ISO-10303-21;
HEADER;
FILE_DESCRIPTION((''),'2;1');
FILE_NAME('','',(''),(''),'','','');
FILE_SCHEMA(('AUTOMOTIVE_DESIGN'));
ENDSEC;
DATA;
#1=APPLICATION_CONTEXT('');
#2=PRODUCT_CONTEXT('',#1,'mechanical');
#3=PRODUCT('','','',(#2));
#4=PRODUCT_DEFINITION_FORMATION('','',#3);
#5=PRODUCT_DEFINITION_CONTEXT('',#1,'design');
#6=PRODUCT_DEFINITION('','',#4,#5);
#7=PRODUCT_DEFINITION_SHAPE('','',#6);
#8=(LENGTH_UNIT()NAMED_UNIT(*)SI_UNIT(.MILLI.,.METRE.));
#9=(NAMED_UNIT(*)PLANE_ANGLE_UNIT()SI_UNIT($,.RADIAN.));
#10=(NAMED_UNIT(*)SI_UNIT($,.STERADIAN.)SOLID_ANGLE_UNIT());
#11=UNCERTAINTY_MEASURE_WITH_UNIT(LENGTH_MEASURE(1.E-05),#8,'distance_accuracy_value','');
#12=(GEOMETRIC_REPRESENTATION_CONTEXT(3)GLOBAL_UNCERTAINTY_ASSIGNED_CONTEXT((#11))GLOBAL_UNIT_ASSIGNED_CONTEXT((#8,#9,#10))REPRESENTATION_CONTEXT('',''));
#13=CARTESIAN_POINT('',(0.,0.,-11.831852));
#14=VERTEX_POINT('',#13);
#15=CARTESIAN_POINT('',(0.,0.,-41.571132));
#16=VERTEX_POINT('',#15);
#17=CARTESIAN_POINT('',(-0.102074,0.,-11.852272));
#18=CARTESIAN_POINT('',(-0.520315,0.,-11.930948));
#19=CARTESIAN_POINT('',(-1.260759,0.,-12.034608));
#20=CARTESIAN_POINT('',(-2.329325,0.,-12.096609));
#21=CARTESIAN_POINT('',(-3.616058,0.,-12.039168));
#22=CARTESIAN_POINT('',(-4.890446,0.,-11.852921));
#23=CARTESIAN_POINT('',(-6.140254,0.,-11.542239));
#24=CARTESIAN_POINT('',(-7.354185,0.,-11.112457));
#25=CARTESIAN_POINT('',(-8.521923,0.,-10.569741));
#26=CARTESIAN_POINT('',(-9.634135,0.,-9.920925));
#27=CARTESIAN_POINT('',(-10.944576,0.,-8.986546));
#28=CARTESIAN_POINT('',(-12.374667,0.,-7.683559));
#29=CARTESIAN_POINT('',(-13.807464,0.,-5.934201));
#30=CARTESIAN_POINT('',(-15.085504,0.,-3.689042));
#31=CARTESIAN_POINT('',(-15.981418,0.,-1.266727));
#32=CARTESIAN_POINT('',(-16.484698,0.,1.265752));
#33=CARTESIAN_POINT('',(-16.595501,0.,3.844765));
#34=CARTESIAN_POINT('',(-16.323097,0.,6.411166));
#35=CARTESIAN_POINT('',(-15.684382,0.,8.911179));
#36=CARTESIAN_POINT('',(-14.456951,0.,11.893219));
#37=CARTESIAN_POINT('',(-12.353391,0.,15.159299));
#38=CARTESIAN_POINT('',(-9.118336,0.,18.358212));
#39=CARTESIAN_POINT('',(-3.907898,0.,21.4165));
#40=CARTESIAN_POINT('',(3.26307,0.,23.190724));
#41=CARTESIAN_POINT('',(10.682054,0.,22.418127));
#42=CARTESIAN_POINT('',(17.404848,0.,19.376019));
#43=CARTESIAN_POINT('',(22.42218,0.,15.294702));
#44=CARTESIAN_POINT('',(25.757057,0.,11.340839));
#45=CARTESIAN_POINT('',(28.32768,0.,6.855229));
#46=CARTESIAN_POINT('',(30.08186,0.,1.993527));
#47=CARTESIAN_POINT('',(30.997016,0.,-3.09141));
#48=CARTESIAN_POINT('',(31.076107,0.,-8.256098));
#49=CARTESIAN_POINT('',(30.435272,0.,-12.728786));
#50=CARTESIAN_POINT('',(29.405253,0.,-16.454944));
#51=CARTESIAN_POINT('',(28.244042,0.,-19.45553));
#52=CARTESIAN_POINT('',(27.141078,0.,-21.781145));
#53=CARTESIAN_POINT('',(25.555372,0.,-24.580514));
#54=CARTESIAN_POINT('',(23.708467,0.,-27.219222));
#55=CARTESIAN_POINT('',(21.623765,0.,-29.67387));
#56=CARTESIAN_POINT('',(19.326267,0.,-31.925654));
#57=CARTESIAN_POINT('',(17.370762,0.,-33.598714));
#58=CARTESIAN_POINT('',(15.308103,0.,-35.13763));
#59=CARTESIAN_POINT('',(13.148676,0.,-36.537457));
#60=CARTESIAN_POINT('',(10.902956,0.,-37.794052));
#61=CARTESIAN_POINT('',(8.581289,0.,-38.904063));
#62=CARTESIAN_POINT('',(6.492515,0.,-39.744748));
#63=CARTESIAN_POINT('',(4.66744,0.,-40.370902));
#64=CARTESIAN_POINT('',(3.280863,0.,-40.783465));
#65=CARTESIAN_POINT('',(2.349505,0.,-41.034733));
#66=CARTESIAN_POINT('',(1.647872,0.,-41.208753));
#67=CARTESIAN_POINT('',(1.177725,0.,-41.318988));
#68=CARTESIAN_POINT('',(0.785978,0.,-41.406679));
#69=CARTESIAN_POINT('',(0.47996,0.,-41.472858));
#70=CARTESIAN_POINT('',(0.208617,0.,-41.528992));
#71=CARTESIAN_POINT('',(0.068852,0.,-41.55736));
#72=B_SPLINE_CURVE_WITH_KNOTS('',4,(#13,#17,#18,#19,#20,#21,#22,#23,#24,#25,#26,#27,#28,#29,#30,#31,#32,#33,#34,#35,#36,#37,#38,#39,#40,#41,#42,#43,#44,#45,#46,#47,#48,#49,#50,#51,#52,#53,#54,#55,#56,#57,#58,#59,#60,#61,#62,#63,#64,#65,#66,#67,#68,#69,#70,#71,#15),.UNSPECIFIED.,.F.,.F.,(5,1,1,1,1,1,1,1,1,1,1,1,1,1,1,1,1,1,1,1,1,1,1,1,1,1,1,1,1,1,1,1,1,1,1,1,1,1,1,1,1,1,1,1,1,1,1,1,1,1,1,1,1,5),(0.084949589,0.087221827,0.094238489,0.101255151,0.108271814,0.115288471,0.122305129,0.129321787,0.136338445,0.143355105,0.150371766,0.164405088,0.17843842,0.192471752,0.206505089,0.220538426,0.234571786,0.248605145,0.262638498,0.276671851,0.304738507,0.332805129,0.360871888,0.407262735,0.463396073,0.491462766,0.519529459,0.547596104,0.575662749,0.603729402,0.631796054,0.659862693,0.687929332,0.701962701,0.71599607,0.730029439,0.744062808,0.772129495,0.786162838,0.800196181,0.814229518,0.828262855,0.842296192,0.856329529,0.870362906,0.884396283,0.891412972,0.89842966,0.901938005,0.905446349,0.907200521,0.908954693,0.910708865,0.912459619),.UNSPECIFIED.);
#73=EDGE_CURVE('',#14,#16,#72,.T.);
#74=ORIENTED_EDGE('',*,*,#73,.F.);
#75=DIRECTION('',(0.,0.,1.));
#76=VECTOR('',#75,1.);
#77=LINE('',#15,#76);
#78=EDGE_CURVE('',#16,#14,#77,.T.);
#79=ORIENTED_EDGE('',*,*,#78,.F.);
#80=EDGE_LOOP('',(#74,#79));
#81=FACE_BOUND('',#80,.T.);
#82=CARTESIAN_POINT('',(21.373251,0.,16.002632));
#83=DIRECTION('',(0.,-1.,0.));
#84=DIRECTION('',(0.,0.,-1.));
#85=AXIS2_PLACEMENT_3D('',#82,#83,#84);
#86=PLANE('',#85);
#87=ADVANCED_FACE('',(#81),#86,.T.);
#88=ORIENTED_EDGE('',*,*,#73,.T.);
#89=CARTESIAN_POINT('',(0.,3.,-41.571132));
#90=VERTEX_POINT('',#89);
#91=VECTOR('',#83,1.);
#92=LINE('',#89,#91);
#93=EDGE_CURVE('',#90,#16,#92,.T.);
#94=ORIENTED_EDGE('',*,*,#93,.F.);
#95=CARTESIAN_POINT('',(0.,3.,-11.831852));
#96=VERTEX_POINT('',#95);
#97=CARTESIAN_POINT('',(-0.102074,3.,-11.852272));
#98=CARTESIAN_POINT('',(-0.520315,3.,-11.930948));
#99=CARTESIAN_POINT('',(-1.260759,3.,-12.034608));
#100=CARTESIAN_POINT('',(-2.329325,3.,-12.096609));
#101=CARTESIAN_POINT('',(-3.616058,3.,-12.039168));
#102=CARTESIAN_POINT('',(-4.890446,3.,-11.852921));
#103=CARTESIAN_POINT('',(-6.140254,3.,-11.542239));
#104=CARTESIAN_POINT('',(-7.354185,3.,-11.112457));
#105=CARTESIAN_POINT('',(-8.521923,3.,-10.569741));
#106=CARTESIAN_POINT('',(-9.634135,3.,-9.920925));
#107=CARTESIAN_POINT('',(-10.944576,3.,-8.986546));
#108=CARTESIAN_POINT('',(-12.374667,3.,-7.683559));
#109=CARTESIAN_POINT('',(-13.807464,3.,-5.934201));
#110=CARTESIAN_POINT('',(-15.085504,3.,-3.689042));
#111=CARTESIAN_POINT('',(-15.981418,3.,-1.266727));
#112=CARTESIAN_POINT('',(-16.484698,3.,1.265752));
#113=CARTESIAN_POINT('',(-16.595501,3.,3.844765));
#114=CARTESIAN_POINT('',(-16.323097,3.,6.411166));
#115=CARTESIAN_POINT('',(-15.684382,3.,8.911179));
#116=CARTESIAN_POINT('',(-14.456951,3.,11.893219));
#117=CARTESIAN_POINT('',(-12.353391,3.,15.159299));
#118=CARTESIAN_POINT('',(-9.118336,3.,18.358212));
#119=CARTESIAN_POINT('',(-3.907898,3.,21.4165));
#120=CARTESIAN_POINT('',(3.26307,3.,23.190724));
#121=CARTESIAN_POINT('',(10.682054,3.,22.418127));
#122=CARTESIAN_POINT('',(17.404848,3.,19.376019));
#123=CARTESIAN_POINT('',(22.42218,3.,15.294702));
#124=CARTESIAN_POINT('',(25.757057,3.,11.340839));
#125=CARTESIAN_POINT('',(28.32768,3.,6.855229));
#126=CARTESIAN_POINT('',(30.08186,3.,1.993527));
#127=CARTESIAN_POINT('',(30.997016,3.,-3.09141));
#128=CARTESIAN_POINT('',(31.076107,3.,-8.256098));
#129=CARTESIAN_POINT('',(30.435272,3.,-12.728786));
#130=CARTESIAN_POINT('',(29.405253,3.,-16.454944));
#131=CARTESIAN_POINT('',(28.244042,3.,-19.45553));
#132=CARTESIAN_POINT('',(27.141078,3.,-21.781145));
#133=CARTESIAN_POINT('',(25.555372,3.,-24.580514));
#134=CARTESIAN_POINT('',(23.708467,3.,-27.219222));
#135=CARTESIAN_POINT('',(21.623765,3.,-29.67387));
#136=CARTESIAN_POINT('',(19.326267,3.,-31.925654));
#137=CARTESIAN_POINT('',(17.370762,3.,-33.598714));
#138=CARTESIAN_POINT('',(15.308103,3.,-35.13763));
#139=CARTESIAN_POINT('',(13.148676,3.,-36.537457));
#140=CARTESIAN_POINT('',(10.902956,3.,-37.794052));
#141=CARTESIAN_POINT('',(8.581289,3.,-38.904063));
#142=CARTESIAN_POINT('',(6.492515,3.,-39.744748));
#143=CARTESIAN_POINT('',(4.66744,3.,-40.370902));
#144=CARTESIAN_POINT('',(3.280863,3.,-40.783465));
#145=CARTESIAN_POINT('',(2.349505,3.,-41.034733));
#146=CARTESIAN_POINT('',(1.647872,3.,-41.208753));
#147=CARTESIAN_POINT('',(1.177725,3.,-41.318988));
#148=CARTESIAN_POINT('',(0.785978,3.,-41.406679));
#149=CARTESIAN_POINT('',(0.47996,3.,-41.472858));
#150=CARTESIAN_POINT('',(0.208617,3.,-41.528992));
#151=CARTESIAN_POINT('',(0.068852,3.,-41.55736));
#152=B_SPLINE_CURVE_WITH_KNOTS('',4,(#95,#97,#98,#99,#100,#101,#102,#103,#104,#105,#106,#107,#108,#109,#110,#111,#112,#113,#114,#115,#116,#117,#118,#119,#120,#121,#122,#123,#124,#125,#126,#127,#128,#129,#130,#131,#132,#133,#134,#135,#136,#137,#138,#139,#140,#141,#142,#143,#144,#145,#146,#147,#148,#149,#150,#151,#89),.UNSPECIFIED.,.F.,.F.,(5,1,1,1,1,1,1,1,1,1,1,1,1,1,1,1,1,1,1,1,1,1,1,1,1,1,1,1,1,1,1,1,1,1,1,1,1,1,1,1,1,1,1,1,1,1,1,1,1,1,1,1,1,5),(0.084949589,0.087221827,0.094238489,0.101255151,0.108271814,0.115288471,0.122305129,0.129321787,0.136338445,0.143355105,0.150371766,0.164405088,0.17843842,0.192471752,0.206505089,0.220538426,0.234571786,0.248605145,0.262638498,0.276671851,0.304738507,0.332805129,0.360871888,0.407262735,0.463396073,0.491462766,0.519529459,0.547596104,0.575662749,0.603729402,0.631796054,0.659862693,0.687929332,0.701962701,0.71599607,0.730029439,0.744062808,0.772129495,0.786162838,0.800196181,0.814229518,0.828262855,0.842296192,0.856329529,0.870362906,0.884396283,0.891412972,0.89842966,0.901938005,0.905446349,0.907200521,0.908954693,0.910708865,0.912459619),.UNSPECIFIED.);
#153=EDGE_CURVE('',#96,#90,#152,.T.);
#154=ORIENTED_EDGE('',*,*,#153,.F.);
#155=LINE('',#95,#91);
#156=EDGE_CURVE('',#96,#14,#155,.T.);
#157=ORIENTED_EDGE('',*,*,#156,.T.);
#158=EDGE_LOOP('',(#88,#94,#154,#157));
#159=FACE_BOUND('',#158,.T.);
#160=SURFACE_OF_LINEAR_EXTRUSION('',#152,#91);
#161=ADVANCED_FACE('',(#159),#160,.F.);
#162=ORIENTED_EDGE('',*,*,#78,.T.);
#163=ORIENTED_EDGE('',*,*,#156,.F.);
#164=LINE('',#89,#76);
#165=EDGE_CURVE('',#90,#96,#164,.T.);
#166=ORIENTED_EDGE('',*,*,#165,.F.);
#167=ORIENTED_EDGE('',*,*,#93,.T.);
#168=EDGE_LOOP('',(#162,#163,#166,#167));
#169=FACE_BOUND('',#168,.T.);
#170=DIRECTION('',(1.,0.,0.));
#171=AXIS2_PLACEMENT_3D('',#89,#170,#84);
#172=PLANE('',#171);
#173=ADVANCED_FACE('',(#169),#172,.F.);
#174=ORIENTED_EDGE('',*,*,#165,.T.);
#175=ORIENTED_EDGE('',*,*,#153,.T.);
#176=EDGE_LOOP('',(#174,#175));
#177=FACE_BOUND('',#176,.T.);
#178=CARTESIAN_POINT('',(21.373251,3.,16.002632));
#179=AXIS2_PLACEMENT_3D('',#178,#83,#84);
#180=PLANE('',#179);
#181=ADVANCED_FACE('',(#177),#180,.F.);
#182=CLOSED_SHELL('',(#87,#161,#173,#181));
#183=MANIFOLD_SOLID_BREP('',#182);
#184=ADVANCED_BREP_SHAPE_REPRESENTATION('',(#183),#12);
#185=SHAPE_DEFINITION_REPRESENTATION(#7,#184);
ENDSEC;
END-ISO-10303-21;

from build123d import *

# Parameters (mm, degrees)
BOSS_EXTRUDE2_DEPTH = 3


with BuildPart() as part:
    # Sketch1 → Boss-Extrude2 (new body)
    with BuildSketch(Plane(origin=(0, 0, 0), x_dir=(1, 0, 0), z_dir=(0, 1, 0))):
        with BuildLine():
            Line((0, 41.571131842), (0, 11.831852393))
            add(Edge.make_bspline(
                [(0, 11.831852393), (-0.102074489, 11.852272188), (-0.52031487, 11.930948032), (-1.260759255, 12.034607757), (-2.329325412, 12.096608945), (-3.616057806, 12.03916826), (-4.89044623, 11.852920845), (-6.140253636, 11.542238771), (-7.354185147, 11.112457347), (-8.52192279, 10.569740632), (-9.63413488, 9.92092499), (-10.944575509, 8.986546348), (-12.374667495, 7.683558604), (-13.807464436, 5.934200639), (-15.085504031, 3.689042496), (-15.981417763, 1.266727341), (-16.484697906, -1.265752037), (-16.595500654, -3.844764718), (-16.323097074, -6.411165993), (-15.684381714, -8.911178563), (-14.456951497, -11.893218566), (-12.353390747, -15.15929857), (-9.118336188, -18.358211882), (-3.907897826, -21.416500356), (3.263069996, -23.190723542), (10.682054262, -22.418126513), (17.404848334, -19.376018715), (22.422179675, -15.294702074), (25.757056621, -11.340838515), (28.327679697, -6.855229419), (30.081859995, -1.993527429), (30.99701622, 3.091409731), (31.076106998, 8.256098327), (30.435271603, 12.728785502), (29.405252589, 16.454943581), (28.244041513, 19.455530308), (27.141078059, 21.781145216), (25.55537233, 24.580513786), (23.70846681, 27.21922194), (21.62376472, 29.673870118), (19.326266694, 31.925654176), (17.370761849, 33.598714454), (15.308102623, 35.137630188), (13.148676354, 36.537456902), (10.902955527, 37.794052285), (8.581288841, 38.904062694), (6.492515128, 39.744748274), (4.667439695, 40.370901902), (3.280863084, 40.783464733), (2.349504514, 41.034732519), (1.647872355, 41.208753133), (1.177725477, 41.318987918), (0.785977656, 41.406678593), (0.47996013, 41.472857839), (0.20861731, 41.528991647), (0.068852275, 41.557360167), (0, 41.571131842)],
                knots=[0.084949589, 0.084949589, 0.084949589, 0.084949589, 0.084949589, 0.087221827, 0.094238489, 0.101255151, 0.108271814, 0.115288471, 0.122305129, 0.129321787, 0.136338445, 0.143355105, 0.150371766, 0.164405088, 0.17843842, 0.192471752, 0.206505089, 0.220538426, 0.234571786, 0.248605145, 0.262638498, 0.276671851, 0.304738507, 0.332805129, 0.360871888, 0.407262735, 0.463396073, 0.491462766, 0.519529459, 0.547596104, 0.575662749, 0.603729402, 0.631796054, 0.659862693, 0.687929332, 0.701962701, 0.71599607, 0.730029439, 0.744062808, 0.772129495, 0.786162838, 0.800196181, 0.814229518, 0.828262855, 0.842296192, 0.856329529, 0.870362906, 0.884396283, 0.891412972, 0.89842966, 0.901938005, 0.905446349, 0.907200521, 0.908954693, 0.910708865, 0.912459619, 0.912459619, 0.912459619, 0.912459619, 0.912459619], degree=4))
        make_face()
    extrude(amount=BOSS_EXTRUDE2_DEPTH)


solid = part.part
